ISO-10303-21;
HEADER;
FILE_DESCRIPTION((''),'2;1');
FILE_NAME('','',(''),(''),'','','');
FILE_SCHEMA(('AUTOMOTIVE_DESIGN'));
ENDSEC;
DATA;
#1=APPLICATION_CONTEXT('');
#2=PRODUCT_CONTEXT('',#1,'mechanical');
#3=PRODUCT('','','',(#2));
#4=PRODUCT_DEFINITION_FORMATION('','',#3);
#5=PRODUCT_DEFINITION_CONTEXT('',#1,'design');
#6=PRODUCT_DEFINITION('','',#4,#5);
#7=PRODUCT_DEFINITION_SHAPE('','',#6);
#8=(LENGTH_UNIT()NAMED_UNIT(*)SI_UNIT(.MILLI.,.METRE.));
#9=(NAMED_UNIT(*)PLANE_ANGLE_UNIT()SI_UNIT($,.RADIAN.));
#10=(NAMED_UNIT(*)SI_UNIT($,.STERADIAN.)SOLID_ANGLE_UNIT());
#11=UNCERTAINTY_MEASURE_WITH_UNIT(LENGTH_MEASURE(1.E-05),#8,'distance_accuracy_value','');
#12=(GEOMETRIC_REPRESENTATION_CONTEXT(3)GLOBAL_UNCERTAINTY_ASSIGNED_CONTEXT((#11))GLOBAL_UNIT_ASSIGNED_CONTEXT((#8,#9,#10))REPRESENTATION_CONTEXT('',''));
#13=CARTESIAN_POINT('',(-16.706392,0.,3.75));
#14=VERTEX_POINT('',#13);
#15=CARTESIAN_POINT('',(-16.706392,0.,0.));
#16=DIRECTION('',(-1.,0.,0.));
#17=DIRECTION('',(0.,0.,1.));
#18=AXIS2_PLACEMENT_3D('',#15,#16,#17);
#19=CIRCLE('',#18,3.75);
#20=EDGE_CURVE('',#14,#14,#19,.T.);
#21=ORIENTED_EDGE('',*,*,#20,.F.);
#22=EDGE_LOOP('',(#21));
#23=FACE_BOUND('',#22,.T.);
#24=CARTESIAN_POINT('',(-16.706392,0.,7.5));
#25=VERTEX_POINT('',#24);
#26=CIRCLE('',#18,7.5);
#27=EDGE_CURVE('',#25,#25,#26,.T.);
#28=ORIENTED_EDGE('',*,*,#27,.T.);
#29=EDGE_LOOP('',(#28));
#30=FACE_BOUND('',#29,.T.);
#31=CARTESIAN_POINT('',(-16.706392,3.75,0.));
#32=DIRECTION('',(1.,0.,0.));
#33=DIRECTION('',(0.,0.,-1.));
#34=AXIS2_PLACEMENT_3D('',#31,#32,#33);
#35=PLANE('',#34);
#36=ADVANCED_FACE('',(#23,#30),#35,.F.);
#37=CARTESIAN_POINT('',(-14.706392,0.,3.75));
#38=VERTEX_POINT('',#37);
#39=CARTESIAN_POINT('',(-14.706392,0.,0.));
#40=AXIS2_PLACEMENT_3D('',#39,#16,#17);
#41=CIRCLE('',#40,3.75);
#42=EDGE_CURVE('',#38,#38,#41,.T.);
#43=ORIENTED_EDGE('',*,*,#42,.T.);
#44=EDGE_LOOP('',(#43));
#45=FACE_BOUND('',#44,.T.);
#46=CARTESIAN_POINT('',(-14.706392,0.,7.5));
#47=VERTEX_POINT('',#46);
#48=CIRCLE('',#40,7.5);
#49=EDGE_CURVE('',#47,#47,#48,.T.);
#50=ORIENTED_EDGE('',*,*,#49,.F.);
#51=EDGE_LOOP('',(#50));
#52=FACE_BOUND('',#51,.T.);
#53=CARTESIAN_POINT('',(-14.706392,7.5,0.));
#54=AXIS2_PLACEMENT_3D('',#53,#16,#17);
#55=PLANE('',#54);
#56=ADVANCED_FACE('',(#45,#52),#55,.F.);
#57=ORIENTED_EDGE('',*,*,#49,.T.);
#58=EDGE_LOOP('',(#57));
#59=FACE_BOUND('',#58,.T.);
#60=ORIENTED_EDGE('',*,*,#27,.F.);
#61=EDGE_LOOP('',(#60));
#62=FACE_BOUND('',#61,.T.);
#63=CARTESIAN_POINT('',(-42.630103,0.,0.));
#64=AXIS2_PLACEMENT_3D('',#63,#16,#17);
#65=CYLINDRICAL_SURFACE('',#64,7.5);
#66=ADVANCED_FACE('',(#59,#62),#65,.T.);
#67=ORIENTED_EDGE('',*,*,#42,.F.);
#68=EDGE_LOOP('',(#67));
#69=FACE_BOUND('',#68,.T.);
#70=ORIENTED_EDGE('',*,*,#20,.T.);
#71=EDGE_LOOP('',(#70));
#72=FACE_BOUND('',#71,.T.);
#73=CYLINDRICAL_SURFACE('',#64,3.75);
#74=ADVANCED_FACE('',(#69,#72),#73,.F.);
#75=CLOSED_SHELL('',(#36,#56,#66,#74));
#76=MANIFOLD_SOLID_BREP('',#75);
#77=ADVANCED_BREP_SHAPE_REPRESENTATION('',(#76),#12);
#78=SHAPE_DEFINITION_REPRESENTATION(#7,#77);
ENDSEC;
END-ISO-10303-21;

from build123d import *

# Parameters (mm, degrees)
ESQUISSE1_W = 2
ESQUISSE1_H = 3.75


with BuildPart() as part:
    # Esquisse1 → Révolution1 (revolve)
    with BuildSketch(Plane.XY, mode=Mode.PRIVATE) as r_volution1_sk:
        with Locations((-15.706392, 5.625)):
            Rectangle(ESQUISSE1_W, ESQUISSE1_H)
    revolve(r_volution1_sk.sketch.rotate(Axis((-42.630103093, 0, 0), (1, 0, 0)), 90), axis=Axis((-42.630103093, 0, 0), (1, 0, 0)))  # turned: the seam where the file's is


solid = part.part
